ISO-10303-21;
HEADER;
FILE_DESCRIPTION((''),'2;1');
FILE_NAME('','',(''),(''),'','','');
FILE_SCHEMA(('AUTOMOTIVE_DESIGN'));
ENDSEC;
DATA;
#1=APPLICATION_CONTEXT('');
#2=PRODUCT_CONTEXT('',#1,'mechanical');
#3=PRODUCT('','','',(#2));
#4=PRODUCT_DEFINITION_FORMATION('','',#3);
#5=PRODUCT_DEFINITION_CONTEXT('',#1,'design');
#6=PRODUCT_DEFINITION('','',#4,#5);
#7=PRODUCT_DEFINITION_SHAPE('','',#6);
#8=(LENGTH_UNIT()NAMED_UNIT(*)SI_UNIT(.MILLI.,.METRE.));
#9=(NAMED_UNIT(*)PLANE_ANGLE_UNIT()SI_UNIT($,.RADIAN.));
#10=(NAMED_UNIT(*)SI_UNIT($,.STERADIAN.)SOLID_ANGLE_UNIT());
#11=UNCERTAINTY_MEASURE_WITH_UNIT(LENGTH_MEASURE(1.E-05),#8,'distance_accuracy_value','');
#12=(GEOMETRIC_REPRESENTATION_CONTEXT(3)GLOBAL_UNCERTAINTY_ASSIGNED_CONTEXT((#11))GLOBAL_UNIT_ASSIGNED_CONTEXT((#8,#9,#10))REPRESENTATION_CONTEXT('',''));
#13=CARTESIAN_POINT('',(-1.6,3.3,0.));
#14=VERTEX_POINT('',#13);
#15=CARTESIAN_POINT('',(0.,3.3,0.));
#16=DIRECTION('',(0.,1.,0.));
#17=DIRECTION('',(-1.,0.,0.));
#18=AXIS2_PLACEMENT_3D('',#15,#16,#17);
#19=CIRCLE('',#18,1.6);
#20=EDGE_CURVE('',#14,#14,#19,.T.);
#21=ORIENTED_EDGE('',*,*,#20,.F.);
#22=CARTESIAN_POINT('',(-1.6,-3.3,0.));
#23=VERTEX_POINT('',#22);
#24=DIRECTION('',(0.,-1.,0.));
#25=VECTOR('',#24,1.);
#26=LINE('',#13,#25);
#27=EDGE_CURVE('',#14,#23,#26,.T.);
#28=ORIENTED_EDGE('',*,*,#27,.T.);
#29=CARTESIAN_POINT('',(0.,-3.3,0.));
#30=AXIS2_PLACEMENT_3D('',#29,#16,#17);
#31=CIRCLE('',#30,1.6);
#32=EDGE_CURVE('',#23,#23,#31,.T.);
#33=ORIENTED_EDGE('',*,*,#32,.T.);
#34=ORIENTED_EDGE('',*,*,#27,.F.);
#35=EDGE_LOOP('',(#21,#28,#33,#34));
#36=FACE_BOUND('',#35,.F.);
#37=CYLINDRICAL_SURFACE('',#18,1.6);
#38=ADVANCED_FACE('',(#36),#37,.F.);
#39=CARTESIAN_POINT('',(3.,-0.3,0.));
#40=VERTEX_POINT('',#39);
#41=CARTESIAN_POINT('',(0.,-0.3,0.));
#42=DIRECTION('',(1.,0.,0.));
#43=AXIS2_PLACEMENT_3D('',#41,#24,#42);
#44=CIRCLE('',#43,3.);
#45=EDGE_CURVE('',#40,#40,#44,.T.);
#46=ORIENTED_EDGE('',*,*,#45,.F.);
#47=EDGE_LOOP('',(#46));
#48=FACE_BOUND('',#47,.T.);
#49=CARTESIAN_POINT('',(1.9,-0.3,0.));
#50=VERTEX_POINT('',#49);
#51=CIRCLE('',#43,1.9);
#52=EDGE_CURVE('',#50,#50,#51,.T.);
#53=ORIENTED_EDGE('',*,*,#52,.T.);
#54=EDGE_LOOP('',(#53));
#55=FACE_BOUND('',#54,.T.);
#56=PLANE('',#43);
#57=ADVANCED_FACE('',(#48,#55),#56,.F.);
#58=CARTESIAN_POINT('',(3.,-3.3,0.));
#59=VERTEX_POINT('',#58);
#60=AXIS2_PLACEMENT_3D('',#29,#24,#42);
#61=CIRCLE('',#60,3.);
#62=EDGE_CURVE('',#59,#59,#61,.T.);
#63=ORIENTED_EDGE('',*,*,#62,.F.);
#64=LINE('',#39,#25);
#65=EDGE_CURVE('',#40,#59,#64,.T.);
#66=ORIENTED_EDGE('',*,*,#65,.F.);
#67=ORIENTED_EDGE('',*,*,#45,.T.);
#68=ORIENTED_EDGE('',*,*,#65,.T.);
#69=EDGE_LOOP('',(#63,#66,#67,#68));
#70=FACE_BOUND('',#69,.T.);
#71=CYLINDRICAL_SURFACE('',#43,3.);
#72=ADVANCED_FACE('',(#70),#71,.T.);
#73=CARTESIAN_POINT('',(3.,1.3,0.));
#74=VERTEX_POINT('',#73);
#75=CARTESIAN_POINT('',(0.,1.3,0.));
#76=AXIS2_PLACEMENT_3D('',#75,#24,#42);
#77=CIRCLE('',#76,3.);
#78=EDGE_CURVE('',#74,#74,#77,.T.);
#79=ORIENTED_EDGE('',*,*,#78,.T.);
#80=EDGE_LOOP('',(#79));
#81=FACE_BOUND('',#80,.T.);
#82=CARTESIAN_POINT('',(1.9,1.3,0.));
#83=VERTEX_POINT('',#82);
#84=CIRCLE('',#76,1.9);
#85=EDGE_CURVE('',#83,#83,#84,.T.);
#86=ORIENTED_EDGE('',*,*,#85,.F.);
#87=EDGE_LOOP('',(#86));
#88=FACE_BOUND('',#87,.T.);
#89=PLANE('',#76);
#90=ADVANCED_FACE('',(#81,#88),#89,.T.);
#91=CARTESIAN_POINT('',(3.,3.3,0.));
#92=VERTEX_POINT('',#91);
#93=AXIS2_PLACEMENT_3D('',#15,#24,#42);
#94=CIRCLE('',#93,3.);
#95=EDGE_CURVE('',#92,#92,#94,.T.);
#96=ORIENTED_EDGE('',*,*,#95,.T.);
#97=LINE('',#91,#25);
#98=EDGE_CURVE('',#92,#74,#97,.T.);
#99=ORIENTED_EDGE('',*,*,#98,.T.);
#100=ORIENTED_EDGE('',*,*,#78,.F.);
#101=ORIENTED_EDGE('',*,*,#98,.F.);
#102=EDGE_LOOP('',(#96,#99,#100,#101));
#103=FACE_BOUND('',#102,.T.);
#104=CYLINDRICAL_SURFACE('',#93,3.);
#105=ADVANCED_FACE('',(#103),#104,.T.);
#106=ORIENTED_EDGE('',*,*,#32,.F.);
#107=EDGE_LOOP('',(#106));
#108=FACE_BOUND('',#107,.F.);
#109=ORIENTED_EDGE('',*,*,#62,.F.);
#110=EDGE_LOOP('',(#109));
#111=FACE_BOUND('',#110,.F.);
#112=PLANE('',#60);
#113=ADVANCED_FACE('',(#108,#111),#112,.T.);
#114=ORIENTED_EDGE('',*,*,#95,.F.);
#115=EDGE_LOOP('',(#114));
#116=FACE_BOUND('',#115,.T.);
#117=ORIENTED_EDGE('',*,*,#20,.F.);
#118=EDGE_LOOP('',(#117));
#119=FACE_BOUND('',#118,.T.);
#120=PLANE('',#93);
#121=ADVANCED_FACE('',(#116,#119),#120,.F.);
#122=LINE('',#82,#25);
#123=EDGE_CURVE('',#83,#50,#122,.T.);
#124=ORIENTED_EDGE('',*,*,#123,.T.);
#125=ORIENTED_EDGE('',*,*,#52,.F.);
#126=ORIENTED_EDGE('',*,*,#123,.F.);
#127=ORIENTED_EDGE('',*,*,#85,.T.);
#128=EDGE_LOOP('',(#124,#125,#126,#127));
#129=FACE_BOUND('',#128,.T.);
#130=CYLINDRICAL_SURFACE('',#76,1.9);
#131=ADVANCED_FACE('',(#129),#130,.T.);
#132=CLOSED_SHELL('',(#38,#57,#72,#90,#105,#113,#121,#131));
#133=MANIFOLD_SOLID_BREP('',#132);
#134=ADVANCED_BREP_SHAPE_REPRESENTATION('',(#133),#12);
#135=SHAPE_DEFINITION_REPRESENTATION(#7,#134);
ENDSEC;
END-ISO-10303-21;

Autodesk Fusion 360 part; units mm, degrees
sketch "Sketch1" plane through (0, 0, 0) normal (0, 0, 1) x (1, 0, 0)
  line L0 (0, 3.3) -> (0, -3.3)
  line L1 (0, 3.3) -> (3, 3.3)
  line L2 (3, 3.3) -> (3, 1.3)
  line L3 (3, 1.3) -> (1.9, 1.3)
  line L4 (1.9, 1.3) -> (1.9, -0.3)
  line L5 (1.9, -0.3) -> (3, -0.3)
  line L6 (3, -0.3) -> (3, -3.3)
  line L7 (0, -3.3) -> (3, -3.3)
  dimension "d2" = 6.6
  dimension "d3" = 3.3
  dimension "d4" = 3
  dimension "d5" = 3
  dimension "d6" = 1.6
  dimension "d7" = 1.9
revolve "Revolve1" add sketch "Sketch1" angle 360 about axis through (0, 3.3, 0) along (0, -1, 0)
sketch "Sketch2" plane through (0, 3.3, 0) normal (0, 1, 0) x (-1, 0, 0)
  circle A0 centre (0, 0) radius 3
  circle A1 centre (0, 0) radius 1.6
  dimension "d9" = 3.2
extrude "Extrude1" cut sketch "Sketch2" against normal through all contours A1
equation "d3 = d2 / 2"
equation "d7 = ( 3.8 / 2 ) * 1 mm"
